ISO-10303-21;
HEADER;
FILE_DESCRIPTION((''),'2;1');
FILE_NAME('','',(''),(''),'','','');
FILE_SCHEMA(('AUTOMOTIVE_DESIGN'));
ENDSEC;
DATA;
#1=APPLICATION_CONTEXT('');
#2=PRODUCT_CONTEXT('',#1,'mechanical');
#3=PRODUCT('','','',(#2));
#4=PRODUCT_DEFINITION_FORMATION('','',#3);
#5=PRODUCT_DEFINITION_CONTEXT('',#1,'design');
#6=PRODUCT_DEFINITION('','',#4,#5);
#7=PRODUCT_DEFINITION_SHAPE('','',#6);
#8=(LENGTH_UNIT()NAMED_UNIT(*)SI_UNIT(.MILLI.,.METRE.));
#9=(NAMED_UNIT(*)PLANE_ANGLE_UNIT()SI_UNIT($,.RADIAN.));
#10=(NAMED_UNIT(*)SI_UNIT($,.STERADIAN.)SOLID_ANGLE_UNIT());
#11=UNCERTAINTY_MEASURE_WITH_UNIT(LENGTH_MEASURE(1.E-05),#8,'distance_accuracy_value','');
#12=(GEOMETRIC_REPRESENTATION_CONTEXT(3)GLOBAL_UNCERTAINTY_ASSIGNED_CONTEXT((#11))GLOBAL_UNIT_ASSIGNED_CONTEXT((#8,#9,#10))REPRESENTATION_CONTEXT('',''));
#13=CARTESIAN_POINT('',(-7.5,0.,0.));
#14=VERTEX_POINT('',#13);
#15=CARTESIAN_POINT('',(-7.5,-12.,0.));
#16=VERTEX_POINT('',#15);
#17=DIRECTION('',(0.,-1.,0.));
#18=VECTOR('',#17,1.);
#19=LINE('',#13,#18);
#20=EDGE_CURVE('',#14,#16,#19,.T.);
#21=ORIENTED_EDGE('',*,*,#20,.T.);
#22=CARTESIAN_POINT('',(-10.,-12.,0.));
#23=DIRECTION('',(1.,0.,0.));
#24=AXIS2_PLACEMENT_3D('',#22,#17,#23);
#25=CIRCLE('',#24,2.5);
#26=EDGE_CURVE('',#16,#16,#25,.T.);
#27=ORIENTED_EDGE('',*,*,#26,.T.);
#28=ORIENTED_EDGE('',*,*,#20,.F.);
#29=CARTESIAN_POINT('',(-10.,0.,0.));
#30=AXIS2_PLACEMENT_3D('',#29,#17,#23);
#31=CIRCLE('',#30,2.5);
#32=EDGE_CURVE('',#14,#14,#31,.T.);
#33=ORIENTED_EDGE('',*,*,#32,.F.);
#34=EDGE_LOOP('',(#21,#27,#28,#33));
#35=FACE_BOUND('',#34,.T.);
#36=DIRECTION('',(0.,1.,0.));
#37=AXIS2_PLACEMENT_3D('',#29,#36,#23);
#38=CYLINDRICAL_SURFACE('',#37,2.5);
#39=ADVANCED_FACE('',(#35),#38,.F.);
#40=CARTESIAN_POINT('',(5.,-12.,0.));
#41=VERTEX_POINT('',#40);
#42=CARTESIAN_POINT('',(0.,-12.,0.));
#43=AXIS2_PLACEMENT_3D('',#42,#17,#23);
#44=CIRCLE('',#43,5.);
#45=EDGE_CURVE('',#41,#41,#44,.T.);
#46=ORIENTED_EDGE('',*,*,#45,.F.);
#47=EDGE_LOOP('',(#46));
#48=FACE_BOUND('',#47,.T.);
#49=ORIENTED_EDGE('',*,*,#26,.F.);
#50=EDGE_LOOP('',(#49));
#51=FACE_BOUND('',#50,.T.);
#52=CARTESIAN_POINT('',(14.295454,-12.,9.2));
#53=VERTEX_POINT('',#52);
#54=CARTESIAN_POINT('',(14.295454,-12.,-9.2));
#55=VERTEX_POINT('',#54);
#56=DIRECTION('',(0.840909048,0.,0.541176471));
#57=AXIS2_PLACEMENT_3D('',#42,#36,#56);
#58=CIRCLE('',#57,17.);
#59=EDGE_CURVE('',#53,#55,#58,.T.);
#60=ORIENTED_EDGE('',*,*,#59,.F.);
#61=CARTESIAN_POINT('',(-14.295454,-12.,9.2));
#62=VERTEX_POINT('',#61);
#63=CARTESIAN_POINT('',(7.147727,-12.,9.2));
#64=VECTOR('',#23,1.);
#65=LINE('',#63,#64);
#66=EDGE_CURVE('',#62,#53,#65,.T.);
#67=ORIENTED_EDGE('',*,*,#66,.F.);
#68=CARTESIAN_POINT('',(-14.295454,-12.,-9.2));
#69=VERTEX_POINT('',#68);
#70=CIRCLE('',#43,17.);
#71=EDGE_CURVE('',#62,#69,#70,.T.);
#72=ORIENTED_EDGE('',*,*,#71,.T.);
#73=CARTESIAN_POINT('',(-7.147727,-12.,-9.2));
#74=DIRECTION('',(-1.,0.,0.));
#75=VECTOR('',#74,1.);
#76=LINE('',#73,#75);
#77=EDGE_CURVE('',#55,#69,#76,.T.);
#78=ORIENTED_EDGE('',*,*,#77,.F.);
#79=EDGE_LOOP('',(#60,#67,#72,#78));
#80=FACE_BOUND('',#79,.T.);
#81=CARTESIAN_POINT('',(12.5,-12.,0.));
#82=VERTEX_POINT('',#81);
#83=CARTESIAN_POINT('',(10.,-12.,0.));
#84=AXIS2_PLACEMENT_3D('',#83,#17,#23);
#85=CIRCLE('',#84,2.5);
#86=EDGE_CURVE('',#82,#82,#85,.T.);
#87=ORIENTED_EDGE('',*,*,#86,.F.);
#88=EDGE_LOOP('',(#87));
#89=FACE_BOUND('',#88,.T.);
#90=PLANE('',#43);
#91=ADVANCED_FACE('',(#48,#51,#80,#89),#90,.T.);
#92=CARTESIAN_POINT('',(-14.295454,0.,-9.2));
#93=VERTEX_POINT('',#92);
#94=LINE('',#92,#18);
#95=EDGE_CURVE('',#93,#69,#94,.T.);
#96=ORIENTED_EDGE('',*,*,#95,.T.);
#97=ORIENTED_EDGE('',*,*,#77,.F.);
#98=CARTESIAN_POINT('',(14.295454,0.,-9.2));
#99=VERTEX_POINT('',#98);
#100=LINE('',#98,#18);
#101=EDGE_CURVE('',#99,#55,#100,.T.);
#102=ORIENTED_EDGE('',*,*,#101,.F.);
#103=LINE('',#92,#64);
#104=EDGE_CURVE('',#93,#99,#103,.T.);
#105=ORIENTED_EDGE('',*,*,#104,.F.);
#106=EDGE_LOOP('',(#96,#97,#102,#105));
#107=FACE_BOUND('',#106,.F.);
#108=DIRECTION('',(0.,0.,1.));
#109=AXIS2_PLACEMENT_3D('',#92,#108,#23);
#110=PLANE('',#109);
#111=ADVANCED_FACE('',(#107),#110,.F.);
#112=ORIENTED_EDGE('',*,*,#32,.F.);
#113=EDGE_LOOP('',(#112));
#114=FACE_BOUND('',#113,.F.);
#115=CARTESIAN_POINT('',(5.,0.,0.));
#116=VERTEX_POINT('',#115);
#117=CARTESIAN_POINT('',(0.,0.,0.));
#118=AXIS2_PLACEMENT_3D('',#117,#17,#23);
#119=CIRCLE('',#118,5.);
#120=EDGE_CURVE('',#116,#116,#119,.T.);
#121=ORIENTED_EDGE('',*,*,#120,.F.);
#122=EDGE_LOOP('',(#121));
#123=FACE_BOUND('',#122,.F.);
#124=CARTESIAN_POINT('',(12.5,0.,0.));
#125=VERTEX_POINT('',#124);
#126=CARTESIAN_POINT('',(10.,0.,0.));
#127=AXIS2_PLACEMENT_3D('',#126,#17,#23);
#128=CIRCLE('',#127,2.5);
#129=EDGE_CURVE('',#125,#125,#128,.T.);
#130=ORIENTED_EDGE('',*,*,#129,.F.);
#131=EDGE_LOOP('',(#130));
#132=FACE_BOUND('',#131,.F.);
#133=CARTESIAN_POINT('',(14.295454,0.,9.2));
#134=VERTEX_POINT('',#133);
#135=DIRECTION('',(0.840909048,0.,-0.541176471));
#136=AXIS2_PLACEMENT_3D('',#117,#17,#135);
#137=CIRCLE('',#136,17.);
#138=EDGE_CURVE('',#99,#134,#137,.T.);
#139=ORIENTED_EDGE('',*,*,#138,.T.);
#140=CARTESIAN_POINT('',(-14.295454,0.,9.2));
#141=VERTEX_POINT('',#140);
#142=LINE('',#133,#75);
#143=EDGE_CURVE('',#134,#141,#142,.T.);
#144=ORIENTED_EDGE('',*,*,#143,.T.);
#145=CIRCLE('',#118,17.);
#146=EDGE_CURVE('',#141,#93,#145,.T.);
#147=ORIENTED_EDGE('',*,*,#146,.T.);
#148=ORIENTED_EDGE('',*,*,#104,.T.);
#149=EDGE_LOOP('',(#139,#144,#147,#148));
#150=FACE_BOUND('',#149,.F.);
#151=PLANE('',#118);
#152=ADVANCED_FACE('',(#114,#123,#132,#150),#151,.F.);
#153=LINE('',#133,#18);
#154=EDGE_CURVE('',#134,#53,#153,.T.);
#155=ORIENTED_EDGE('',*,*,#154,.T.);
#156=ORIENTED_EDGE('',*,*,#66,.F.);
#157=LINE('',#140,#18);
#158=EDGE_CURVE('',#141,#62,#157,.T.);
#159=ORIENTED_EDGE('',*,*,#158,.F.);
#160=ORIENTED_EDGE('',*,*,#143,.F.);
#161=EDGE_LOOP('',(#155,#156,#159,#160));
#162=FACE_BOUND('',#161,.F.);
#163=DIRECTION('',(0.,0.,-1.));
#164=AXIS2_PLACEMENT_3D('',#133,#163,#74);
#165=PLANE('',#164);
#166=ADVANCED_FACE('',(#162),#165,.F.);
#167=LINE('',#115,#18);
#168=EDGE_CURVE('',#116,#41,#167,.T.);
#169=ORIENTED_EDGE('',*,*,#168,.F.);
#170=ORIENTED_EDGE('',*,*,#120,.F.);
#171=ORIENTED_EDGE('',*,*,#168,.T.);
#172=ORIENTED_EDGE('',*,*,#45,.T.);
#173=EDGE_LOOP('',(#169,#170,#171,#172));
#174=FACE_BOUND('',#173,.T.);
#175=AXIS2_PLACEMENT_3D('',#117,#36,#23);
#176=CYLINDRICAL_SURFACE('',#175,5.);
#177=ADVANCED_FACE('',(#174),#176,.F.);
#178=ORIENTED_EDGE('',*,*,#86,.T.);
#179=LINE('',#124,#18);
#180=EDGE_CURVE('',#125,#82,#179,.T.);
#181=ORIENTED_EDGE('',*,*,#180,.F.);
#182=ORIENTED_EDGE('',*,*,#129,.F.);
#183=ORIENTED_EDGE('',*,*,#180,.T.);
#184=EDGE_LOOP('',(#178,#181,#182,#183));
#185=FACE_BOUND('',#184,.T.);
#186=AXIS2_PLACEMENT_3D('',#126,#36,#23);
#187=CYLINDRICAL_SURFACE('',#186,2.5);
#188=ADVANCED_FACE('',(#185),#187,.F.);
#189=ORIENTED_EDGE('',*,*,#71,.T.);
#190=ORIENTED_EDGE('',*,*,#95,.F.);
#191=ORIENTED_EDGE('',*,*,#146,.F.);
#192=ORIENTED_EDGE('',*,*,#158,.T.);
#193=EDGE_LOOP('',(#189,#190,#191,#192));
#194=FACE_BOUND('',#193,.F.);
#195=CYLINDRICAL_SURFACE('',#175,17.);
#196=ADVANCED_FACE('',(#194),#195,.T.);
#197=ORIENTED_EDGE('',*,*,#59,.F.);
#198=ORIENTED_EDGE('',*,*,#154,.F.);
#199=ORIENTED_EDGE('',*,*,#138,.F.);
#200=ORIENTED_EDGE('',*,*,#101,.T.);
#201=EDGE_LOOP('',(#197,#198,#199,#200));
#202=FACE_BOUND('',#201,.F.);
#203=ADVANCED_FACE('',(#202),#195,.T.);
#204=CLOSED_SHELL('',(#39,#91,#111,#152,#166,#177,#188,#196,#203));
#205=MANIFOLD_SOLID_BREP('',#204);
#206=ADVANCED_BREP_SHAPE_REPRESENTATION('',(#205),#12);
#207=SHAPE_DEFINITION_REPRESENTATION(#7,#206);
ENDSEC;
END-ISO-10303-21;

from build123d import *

# Parameters (mm, degrees)
F0_R     = 17
F0_R_2   = 2.5
F0_R_3   = 5
F1_DEPTH = 12
F3_DEPTH = 25


with BuildPart() as f1:
    # F0 (on Front) → F1 (new body)
    with BuildSketch(Plane.XZ):
        Circle(F0_R)
        with Locations((-10, 0)):
            Circle(F0_R_2, mode=Mode.SUBTRACT)
        Circle(F0_R_3, mode=Mode.SUBTRACT)
        with Locations((10, 0)):
            Circle(F0_R_2, mode=Mode.SUBTRACT)
    extrude(amount=F1_DEPTH)

    # F2 (on face) → F3 (cut)
    with BuildSketch(Plane(origin=(0, 0, 0), x_dir=(-1, 0, 0), z_dir=(0, 1, 0))):
        with BuildLine():
            ThreePointArc((14.2954538228, 9.2), (0, 17), (-14.2954538228, 9.2))
            Line((-14.2954538228, 9.2), (14.2954538228, 9.2))
        make_face()
        with BuildLine():
            Line((14.2954538228, -9.2), (-14.2954538228, -9.2))
            ThreePointArc((-14.2954538228, -9.2), (0, -17), (14.2954538228, -9.2))
        make_face()
    extrude(amount=-F3_DEPTH, mode=Mode.SUBTRACT)


solid = f1.part
